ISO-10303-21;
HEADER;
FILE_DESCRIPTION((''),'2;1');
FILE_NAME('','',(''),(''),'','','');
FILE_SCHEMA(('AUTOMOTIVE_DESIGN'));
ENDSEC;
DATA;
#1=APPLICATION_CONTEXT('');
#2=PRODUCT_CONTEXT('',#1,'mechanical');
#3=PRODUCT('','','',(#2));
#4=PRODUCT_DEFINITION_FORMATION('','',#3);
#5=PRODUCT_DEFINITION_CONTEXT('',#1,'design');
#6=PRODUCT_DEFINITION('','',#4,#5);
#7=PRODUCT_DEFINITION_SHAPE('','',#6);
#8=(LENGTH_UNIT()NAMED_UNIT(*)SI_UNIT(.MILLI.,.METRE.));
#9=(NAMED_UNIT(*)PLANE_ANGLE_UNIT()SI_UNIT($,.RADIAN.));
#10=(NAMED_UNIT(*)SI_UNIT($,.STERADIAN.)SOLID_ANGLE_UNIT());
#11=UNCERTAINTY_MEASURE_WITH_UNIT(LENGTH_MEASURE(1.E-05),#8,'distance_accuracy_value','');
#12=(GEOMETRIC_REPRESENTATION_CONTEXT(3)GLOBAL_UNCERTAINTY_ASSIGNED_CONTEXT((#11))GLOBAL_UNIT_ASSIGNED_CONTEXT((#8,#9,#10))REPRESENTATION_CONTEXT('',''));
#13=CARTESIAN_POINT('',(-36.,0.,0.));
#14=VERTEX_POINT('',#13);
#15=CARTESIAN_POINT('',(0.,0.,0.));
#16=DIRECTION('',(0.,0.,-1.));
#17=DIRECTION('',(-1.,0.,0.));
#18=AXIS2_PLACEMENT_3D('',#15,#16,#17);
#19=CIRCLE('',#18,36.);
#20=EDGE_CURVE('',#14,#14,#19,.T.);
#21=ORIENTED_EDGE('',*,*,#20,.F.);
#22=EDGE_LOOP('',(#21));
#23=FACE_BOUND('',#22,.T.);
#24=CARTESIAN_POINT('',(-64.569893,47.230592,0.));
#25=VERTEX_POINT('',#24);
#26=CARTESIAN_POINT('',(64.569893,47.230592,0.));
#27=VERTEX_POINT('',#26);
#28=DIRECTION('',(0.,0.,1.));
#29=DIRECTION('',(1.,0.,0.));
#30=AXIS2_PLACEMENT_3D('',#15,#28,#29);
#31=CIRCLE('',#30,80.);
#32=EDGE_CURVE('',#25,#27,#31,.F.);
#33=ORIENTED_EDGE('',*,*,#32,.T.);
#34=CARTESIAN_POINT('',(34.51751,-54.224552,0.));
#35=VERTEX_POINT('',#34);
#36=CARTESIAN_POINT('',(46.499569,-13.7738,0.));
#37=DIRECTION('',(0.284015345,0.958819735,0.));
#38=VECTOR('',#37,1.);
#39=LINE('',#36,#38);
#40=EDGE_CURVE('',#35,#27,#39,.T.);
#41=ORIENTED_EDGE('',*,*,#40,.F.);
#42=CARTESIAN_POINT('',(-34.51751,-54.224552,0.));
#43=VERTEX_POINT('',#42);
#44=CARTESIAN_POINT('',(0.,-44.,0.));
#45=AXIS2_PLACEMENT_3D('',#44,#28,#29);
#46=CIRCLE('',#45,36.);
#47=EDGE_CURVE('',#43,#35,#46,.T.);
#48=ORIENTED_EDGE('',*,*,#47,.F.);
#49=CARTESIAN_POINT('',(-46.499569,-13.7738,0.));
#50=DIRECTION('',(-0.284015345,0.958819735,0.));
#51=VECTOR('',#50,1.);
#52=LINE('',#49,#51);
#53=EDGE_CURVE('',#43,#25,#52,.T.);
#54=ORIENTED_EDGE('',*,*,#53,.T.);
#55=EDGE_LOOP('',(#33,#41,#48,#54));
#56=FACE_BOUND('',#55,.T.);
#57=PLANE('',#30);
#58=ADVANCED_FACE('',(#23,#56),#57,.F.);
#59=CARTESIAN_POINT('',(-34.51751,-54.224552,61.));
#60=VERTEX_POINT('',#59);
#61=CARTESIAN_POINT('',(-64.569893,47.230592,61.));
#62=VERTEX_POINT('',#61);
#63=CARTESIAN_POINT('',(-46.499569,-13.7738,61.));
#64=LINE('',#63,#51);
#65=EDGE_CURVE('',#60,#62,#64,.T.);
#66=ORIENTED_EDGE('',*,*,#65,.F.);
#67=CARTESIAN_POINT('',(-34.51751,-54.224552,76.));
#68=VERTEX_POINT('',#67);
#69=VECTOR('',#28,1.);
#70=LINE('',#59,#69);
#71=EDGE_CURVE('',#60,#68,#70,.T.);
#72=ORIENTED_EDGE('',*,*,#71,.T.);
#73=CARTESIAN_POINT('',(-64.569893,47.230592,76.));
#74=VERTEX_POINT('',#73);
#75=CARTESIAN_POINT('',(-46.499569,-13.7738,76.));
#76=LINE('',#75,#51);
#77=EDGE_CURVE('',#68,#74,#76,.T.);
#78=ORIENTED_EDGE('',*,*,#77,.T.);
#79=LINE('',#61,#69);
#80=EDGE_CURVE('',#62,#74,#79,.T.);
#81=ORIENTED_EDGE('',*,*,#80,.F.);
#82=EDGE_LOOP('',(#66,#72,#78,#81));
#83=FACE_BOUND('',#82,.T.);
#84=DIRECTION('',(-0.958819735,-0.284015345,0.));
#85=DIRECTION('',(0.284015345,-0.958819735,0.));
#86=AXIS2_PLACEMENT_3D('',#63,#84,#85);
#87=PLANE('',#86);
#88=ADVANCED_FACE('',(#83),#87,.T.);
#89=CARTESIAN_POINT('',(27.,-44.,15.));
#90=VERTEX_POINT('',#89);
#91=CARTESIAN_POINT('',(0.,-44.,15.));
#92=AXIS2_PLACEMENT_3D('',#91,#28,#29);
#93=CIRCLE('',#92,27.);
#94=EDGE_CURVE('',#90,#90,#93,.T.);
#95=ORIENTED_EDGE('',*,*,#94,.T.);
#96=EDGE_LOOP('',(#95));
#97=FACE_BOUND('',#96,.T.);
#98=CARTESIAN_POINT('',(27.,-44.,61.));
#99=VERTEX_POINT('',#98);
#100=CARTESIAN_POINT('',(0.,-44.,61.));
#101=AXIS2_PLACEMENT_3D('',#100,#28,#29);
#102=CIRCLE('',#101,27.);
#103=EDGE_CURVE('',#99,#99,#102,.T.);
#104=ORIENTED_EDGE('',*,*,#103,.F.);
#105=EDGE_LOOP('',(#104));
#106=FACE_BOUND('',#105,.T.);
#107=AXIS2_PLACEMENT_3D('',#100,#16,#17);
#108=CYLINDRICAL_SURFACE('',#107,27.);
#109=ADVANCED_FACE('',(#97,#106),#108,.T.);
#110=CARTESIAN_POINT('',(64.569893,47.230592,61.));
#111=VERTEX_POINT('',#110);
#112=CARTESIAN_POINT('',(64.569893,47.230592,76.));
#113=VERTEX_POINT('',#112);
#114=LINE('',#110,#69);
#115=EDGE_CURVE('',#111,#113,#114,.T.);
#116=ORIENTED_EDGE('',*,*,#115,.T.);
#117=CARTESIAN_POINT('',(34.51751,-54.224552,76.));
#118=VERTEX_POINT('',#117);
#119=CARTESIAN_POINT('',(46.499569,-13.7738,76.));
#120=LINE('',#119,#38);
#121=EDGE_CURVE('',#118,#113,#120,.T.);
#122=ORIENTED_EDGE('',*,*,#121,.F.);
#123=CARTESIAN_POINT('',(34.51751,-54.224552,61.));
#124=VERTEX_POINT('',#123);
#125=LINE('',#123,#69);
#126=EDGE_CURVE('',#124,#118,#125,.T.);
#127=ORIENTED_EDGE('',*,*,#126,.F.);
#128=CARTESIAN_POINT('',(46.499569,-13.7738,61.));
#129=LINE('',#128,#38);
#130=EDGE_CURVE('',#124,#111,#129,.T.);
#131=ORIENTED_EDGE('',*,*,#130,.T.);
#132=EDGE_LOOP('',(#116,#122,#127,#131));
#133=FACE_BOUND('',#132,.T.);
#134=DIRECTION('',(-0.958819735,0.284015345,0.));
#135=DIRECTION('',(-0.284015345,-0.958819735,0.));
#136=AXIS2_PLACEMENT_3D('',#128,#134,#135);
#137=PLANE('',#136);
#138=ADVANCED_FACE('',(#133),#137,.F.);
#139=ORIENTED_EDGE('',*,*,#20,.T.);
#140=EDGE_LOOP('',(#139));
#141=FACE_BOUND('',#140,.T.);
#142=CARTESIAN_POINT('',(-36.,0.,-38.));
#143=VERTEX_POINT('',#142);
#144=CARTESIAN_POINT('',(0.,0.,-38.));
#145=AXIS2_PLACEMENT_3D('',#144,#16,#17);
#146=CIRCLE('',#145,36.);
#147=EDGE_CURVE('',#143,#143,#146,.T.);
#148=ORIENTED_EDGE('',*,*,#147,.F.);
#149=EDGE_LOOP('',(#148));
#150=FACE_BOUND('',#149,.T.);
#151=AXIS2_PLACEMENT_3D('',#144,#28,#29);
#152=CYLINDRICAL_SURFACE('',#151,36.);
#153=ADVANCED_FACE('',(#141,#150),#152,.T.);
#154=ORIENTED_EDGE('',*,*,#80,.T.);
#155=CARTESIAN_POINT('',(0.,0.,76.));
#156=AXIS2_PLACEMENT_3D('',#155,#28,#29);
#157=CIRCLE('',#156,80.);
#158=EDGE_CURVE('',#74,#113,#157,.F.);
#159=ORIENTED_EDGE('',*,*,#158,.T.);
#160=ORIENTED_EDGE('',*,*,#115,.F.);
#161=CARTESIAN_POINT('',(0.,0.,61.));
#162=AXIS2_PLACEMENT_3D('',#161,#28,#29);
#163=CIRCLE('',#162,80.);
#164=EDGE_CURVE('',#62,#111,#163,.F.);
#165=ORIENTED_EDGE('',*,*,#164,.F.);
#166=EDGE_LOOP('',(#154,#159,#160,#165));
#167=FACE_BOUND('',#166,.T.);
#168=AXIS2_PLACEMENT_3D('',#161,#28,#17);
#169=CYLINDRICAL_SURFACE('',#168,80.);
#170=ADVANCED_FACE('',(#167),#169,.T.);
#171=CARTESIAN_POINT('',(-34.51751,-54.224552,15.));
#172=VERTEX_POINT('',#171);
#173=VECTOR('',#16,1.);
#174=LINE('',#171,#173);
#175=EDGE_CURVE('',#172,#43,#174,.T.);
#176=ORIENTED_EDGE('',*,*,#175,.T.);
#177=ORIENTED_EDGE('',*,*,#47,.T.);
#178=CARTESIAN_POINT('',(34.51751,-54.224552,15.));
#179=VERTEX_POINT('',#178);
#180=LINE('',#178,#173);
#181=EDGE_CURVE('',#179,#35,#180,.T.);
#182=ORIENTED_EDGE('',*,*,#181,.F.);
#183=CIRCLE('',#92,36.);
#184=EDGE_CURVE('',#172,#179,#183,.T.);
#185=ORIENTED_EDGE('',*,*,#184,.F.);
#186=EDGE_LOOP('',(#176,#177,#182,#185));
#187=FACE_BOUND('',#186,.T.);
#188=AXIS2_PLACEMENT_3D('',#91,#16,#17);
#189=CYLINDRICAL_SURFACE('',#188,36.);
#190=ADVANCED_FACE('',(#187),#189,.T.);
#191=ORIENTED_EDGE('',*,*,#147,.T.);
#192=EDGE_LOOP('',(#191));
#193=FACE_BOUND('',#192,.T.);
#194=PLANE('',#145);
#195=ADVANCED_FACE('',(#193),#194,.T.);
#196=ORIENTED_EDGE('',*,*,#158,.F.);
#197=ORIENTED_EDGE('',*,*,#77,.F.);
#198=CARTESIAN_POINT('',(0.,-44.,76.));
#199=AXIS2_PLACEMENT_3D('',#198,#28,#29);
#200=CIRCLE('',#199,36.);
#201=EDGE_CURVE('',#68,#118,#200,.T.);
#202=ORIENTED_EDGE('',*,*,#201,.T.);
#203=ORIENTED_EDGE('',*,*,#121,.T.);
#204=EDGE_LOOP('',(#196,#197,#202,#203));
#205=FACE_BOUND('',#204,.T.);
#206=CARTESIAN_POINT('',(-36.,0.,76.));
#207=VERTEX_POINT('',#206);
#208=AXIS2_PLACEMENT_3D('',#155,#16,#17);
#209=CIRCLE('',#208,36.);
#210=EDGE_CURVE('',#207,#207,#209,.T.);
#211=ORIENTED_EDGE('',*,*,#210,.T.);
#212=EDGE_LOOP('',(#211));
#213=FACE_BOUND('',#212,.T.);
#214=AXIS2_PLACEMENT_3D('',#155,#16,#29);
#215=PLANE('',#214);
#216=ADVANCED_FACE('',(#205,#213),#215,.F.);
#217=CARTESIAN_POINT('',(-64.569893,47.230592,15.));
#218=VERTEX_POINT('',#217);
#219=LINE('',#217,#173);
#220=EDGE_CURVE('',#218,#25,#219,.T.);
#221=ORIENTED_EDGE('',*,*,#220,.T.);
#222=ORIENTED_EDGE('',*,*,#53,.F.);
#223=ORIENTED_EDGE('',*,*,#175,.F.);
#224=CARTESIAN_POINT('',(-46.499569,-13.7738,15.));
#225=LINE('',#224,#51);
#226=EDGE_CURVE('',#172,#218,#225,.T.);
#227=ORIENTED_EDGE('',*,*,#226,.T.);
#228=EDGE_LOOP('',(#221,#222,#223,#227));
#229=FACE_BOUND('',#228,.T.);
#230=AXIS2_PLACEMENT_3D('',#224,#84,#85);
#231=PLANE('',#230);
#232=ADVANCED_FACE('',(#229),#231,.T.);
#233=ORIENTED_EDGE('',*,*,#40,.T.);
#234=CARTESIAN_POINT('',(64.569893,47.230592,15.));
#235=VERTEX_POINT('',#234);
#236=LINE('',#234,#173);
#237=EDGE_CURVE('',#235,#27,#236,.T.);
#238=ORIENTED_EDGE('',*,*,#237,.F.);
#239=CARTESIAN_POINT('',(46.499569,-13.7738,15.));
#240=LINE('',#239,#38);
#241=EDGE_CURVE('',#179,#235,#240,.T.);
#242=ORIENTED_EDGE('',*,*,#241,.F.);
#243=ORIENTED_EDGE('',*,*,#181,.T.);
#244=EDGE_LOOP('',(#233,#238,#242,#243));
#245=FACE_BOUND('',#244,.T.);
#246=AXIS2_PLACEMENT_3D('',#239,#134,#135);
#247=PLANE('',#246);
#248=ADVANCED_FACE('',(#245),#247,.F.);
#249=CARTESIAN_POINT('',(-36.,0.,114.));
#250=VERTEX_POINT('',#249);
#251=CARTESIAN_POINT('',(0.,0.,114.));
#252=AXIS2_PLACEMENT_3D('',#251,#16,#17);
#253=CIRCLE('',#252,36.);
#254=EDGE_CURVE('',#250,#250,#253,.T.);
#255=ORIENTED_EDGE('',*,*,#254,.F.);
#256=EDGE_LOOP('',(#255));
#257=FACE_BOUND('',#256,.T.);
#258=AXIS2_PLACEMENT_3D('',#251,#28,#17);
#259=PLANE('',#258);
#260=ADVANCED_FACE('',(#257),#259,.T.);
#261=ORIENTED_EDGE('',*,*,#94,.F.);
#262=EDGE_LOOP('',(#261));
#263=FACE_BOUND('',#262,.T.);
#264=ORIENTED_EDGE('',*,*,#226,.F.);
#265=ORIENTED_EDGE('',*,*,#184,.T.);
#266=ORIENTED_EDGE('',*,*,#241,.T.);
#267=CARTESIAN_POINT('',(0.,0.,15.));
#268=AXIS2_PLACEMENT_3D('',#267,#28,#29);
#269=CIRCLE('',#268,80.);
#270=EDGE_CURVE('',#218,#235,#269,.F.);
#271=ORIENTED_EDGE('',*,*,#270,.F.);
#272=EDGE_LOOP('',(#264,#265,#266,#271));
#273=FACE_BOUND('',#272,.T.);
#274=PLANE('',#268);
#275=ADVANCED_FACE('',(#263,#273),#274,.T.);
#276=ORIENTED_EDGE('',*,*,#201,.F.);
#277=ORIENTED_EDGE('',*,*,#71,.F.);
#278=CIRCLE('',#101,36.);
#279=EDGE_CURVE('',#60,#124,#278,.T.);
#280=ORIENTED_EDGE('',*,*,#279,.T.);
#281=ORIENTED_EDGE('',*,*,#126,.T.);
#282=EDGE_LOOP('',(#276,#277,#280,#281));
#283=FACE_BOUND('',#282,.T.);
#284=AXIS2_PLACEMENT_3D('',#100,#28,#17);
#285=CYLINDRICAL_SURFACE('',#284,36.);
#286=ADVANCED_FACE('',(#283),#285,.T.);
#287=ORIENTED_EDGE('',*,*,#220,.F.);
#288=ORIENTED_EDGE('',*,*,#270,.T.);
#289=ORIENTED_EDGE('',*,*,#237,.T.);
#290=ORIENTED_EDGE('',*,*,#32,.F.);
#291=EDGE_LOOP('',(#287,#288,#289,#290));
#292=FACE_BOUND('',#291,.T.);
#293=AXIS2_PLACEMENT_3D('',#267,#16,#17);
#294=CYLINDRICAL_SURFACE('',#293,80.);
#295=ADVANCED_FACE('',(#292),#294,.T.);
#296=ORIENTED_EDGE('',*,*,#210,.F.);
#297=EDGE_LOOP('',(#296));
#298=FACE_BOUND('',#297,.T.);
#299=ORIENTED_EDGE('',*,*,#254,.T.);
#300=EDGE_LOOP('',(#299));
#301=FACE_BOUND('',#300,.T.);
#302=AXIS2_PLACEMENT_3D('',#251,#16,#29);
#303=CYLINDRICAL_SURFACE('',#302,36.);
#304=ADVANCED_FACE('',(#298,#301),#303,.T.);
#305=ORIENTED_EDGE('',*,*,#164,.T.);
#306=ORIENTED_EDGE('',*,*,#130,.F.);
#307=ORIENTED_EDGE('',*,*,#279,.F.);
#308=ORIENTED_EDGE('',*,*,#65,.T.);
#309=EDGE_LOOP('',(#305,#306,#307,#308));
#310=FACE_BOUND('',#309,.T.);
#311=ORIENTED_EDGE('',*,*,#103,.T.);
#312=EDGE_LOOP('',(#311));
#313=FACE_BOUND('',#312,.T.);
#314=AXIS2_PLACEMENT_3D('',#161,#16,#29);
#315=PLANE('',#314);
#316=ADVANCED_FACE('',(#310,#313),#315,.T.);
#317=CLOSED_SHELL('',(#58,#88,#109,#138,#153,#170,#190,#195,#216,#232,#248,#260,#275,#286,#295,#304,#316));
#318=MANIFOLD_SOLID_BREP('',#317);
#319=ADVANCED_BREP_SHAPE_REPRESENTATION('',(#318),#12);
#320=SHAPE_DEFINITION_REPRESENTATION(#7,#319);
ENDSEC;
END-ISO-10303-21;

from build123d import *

# Parameters (mm, degrees)
SKETCH1_R           = 36
BOSS_EXTRUDE1_DEPTH = 15
SKETCH2_R           = 27
BOSS_EXTRUDE2_DEPTH = 46
SKETCH3_R           = 36
BOSS_EXTRUDE3_DEPTH = 38


with BuildPart() as part:
    # Sketch1 → Boss-Extrude1 (new body)
    with BuildSketch(Plane.XY):
        with BuildLine():
            Line((-64.569893475, 47.23059238), (-34.517510455, -54.224552409))
            ThreePointArc((-34.517510455, -54.224552409), (-5.165734392, -8.372550074), (36, -44))
            ThreePointArc((36, -44), (35.627449926, -49.165734392), (34.517510455, -54.224552409))
            Line((34.517510455, -54.224552409), (64.569893475, 47.23059238))
            ThreePointArc((64.569893475, 47.23059238), (0, 80), (-64.569893475, 47.23059238))
        make_face()
        with Locations((0, -44)):
            Circle(SKETCH1_R)
    extrude(amount=BOSS_EXTRUDE1_DEPTH)

    # Sketch2 → Boss-Extrude2 (add)
    with BuildSketch(Plane.XY.offset(15)):
        with Locations((0, -44)):
            Circle(SKETCH2_R)
    extrude(amount=BOSS_EXTRUDE2_DEPTH)

    # Sketch3 → Boss-Extrude3 (add)
    with BuildSketch(Plane(origin=(0, 0, 0), x_dir=(-1, 0, 0), z_dir=(0, 0, -1))):
        Circle(SKETCH3_R)
    extrude(amount=BOSS_EXTRUDE3_DEPTH)

    # Mirror1: part across plane


with BuildPart() as part_1:
    add(part.part)
    add(part.part.mirror(Plane.XY.offset(38)))


solid = part_1.part
